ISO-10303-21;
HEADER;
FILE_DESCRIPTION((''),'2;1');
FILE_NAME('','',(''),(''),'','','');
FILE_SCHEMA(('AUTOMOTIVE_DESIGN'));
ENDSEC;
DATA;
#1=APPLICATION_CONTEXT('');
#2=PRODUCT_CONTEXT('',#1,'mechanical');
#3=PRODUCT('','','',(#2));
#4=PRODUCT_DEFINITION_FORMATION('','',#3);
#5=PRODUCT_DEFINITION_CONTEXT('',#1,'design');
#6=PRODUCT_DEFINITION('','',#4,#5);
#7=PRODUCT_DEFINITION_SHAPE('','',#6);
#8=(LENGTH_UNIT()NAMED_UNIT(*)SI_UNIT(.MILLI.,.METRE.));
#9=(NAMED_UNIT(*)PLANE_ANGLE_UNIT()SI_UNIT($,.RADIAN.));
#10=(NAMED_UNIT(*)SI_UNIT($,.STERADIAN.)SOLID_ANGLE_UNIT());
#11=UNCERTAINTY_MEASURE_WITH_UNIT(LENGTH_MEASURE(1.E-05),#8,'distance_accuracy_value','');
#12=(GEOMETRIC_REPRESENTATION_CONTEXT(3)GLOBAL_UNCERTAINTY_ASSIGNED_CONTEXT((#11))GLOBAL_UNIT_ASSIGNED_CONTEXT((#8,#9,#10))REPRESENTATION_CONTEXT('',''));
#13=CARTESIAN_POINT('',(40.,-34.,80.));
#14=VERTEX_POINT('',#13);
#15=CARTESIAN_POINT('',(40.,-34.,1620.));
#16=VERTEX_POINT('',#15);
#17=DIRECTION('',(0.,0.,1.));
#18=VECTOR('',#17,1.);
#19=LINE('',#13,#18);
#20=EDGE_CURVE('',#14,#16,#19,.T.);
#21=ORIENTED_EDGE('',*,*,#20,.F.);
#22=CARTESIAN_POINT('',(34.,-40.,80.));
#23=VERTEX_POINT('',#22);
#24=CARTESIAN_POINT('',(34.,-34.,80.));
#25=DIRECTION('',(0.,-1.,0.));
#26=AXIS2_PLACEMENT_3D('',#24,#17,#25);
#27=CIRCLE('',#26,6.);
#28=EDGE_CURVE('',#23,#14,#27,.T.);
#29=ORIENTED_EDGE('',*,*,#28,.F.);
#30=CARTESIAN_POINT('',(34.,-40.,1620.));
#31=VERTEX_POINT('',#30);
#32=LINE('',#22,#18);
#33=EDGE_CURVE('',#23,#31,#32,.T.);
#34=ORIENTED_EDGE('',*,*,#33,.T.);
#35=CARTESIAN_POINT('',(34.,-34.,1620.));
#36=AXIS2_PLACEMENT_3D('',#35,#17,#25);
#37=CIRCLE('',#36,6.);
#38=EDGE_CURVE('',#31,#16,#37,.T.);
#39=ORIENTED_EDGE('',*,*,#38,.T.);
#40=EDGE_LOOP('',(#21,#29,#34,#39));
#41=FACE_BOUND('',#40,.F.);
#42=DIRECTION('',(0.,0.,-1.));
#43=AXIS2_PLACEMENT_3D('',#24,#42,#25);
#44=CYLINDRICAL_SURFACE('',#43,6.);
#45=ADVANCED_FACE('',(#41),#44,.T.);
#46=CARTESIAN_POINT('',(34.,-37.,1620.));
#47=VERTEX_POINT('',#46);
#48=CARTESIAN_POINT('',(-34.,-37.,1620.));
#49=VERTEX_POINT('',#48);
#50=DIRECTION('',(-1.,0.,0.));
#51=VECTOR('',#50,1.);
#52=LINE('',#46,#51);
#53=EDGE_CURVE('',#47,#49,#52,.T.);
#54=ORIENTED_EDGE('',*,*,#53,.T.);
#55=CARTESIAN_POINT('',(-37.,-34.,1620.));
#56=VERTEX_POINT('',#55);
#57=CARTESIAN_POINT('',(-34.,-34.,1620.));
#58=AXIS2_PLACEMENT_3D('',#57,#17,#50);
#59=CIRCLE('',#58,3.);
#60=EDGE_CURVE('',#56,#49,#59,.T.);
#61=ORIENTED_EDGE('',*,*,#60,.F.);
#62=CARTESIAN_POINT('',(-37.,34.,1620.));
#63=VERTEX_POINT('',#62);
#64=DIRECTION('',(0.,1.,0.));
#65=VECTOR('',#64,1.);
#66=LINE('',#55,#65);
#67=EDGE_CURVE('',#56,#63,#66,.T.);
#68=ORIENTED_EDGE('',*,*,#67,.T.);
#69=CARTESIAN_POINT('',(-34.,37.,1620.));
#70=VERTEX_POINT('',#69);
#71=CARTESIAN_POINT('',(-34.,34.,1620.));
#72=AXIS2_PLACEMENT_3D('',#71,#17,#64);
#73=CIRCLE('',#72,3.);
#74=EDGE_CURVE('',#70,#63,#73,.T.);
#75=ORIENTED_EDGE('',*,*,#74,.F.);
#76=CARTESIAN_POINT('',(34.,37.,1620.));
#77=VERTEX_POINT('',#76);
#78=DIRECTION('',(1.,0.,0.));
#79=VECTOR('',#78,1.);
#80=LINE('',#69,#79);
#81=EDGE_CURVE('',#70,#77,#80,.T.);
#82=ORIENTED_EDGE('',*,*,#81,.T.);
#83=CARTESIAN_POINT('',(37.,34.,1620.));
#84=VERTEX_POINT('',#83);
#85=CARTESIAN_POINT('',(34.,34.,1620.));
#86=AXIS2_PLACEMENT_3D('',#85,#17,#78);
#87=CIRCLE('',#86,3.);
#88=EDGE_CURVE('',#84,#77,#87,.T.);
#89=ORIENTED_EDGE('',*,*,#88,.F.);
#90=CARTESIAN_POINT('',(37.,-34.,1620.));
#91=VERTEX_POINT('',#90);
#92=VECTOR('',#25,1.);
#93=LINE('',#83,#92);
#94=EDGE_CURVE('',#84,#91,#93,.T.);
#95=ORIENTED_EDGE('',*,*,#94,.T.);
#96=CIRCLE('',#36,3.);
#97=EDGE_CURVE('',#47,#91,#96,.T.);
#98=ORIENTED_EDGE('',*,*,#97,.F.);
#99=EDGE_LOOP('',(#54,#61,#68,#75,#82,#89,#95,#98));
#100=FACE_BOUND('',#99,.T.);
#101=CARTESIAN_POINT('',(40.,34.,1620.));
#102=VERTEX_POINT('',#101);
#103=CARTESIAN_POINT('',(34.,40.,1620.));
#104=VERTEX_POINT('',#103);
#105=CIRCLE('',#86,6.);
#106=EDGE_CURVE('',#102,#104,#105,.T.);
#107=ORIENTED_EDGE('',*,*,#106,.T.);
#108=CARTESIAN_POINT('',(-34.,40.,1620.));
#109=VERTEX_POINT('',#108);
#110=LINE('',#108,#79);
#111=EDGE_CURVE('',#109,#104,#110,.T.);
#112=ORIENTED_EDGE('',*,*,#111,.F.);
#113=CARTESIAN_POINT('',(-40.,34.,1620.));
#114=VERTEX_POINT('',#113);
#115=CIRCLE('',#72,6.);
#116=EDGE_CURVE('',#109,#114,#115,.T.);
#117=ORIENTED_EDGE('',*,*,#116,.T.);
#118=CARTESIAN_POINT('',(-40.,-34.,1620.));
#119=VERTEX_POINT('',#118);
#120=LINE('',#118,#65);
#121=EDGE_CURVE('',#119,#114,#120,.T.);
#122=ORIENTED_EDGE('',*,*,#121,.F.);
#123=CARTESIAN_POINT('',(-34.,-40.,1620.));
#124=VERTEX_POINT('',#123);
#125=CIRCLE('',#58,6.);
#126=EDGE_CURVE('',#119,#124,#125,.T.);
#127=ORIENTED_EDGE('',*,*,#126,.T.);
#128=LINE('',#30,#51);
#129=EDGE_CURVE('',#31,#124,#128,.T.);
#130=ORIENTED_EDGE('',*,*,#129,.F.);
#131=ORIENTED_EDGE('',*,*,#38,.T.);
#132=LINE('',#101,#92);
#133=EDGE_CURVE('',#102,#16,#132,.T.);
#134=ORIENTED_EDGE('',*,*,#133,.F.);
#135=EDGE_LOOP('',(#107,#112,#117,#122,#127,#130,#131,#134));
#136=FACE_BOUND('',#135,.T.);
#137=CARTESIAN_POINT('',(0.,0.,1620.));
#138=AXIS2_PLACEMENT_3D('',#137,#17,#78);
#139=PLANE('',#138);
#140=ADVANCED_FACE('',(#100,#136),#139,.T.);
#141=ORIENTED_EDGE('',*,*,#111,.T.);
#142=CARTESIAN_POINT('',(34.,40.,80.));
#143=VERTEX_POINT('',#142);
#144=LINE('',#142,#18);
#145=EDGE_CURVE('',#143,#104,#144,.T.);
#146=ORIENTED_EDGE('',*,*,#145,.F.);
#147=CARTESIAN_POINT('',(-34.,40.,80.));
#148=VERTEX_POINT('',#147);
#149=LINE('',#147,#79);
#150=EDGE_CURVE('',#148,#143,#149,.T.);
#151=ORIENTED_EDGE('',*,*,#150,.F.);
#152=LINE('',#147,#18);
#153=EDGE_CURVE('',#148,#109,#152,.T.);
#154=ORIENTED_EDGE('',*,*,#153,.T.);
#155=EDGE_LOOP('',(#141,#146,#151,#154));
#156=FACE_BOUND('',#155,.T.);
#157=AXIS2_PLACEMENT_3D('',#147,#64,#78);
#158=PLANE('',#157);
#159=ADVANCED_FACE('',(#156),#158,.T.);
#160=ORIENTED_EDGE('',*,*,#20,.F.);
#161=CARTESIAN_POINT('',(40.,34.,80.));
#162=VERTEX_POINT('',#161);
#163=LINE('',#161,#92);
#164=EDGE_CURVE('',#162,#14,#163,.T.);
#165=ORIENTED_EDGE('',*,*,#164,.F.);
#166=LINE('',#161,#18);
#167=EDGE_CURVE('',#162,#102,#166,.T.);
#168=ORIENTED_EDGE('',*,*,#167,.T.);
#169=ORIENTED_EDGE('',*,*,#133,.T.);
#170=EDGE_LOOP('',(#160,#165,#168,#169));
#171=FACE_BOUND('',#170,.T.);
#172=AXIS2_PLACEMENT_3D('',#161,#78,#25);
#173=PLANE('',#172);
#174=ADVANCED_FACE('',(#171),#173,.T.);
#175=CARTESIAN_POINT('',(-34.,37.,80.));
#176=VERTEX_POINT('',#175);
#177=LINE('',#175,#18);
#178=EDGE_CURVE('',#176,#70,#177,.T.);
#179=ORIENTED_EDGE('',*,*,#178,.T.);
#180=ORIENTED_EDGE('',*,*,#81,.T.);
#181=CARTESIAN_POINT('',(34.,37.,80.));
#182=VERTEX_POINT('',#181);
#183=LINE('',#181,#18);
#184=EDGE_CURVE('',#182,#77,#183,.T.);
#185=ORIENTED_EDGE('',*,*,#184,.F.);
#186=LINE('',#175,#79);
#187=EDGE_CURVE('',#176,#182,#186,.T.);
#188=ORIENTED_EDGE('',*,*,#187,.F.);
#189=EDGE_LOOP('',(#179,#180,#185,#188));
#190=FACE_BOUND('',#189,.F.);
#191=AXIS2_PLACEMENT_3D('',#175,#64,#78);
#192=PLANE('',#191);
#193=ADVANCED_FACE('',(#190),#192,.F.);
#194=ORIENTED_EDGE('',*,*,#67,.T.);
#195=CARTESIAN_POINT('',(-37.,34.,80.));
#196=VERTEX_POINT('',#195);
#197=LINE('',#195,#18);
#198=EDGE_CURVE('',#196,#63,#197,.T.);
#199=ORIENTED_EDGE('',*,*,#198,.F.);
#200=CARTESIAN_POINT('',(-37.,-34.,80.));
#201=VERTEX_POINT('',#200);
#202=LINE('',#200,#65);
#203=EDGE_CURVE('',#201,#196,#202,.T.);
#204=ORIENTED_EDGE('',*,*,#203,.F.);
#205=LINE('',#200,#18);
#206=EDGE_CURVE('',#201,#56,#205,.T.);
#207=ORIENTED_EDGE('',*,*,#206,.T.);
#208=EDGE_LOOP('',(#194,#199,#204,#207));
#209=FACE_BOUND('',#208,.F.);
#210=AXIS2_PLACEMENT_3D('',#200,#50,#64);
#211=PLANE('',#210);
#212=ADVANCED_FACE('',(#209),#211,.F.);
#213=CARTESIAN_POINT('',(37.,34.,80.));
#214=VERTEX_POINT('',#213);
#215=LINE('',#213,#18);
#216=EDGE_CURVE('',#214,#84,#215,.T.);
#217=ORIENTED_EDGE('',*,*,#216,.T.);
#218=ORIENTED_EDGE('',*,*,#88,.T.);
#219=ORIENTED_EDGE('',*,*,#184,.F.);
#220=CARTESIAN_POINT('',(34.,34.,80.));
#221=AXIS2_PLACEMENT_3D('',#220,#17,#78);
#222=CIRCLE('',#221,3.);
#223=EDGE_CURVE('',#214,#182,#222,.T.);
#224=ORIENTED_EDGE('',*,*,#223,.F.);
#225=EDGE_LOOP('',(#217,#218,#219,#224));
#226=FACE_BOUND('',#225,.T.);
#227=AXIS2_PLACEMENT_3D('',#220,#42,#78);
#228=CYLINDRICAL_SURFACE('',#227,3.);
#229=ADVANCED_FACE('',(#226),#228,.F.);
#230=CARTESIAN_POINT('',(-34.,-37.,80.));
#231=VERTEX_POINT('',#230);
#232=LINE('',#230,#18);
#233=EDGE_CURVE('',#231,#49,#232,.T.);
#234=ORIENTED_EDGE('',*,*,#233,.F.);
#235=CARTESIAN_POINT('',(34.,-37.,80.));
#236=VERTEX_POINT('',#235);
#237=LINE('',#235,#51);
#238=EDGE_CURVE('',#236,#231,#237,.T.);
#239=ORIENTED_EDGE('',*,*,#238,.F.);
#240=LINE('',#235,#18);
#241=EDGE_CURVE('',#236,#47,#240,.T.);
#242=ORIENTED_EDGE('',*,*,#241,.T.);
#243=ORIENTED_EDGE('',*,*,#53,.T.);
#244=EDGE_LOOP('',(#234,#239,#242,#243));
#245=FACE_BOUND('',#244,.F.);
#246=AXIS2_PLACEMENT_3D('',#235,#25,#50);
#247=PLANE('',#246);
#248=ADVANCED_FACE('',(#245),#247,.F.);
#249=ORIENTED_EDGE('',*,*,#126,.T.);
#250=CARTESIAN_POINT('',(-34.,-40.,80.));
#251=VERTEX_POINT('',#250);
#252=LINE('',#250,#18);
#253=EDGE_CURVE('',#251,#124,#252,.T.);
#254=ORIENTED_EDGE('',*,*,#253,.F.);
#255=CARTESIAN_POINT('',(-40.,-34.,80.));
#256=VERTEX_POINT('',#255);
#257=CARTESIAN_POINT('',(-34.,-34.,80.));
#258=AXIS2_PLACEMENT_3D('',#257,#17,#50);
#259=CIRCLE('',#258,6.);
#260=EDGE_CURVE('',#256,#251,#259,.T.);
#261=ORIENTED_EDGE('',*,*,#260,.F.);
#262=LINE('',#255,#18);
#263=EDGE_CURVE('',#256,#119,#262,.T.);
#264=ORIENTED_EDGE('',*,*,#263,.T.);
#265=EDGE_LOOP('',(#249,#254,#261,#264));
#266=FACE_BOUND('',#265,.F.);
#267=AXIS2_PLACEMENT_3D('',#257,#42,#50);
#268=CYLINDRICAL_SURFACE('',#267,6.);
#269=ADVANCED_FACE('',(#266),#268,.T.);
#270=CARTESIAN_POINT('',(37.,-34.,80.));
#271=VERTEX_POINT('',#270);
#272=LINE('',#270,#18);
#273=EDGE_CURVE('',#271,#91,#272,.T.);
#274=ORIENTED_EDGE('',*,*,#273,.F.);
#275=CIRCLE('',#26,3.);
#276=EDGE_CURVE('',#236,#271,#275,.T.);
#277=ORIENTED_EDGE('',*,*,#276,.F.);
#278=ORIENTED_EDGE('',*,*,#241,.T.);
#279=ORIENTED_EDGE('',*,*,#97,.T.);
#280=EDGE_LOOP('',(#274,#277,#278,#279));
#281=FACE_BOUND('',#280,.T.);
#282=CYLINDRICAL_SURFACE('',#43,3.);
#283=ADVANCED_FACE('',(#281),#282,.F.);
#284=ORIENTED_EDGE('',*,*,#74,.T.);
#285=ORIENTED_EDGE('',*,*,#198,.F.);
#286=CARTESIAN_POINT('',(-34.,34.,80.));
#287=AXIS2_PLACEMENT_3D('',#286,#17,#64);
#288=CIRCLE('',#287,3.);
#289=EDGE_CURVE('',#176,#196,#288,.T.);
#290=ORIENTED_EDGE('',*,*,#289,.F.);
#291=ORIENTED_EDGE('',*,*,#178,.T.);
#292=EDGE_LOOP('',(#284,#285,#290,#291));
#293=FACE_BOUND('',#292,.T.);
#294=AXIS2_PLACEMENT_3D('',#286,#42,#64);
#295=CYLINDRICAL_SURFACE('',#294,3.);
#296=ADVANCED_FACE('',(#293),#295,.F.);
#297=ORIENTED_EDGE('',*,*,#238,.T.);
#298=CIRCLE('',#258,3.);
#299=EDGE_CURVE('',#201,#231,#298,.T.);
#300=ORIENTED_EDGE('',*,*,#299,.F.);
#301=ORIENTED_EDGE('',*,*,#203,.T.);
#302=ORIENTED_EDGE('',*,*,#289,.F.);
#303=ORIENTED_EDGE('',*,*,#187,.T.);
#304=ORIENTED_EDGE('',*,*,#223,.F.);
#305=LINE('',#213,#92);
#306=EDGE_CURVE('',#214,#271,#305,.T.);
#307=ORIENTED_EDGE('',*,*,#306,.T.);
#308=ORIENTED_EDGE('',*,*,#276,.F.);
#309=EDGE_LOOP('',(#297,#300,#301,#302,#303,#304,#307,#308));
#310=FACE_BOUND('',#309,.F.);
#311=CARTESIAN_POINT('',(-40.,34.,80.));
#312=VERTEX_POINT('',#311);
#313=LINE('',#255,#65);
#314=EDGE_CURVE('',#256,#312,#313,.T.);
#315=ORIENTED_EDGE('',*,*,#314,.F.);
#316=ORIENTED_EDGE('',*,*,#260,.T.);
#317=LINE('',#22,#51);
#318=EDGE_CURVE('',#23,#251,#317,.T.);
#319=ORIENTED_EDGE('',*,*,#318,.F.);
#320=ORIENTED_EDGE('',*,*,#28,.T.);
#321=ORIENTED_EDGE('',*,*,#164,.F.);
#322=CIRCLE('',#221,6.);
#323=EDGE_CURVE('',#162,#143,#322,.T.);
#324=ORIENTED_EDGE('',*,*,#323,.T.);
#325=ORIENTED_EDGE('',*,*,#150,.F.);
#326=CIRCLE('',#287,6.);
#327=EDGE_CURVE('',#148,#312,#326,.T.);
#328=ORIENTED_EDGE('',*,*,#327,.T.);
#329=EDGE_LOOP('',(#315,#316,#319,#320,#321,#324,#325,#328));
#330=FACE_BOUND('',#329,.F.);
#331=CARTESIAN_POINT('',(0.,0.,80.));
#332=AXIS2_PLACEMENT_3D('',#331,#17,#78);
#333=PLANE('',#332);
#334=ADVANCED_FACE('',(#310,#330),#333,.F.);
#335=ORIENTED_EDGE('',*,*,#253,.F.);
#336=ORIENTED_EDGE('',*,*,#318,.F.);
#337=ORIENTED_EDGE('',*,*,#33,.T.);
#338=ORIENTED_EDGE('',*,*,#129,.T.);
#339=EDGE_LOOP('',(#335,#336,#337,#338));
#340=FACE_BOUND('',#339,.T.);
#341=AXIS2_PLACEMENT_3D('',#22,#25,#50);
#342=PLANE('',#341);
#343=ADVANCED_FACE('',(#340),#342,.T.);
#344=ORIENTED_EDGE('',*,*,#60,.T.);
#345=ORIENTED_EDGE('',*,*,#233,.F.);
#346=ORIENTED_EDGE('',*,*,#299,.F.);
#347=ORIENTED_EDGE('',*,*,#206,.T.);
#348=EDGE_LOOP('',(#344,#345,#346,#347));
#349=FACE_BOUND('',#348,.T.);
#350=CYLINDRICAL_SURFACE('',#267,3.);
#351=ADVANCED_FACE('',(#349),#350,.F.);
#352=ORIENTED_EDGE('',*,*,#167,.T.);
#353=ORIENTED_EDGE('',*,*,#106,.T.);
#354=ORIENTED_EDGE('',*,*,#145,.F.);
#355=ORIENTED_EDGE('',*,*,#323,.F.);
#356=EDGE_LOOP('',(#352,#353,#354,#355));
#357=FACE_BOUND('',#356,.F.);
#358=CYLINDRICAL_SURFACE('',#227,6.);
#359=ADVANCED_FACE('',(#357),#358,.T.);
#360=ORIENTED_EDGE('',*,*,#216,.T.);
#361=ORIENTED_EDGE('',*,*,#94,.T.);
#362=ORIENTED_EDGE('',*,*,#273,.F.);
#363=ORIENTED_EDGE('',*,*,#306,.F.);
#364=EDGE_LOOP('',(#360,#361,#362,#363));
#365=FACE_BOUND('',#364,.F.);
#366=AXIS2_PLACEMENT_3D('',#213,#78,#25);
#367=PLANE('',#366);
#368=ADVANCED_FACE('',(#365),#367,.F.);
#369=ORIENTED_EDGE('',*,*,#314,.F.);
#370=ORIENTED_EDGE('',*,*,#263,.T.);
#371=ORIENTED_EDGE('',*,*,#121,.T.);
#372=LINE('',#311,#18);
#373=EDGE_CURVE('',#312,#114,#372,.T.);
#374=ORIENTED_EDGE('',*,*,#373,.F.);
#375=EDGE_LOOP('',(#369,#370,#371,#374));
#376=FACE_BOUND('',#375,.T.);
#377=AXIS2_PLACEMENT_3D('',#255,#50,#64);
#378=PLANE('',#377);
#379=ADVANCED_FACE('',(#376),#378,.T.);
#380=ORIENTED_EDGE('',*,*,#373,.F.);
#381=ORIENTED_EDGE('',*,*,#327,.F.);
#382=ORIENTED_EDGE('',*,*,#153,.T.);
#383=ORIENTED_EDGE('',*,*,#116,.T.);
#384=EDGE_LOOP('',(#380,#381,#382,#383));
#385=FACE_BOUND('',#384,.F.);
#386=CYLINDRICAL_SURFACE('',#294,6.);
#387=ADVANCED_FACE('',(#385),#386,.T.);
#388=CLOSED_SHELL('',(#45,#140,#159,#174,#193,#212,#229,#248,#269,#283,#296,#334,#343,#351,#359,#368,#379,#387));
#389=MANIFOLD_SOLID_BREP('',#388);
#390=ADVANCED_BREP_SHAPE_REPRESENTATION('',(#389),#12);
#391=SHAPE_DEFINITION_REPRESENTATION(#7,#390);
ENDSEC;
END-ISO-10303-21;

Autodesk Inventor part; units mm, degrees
ref_plane "YZ Plane" through (0, 0, 0) normal (1, 0, 0) x (0, 1, 0)
ref_plane "Start Plane" through (0, 0, 80) normal (0, 0, 1) x (1, 0, 0)
ref_plane "End Plane" through (0, 0, 1620) normal (0, 0, 1) x (1, 0, 0)
sketch "Sketch" plane through (0, 0, 0) normal (0, 0, 1) x (1, 0, 0)
  line L0 (-40, -34) -> (-40, 34)
  line L1 (-34, 40) -> (34, 40)
  line L2 (40, 34) -> (40, -34)
  line L3 (34, -40) -> (-34, -40)
  arc A0 (-40, -34) -> (-34, -40) centre (-34, -34) ccw
  arc A1 (40, 34) -> (34, 40) centre (34, 34) ccw
  arc A2 (-34, 40) -> (-40, 34) centre (-34, 34) ccw
  arc A3 (34, -40) -> (40, -34) centre (34, -34) ccw
  arc A4 (-34, 37) -> (-37, 34) centre (-34, 34) ccw
  line L4 (-34, 37) -> (34, 37)
  arc A5 (37, 34) -> (34, 37) centre (34, 34) ccw
  line L5 (37, 34) -> (37, -34)
  arc A6 (34, -37) -> (37, -34) centre (34, -34) ccw
  line L6 (34, -37) -> (-34, -37)
  arc A7 (-37, -34) -> (-34, -37) centre (-34, -34) ccw
  line L7 (-37, -34) -> (-37, 34)
  line L8 (0, 57.7397) -> (0, -57.7397) construction
  line L9 (-57.7397, 0) -> (57.7397, 0) construction
  dimension "d7" = 6
  dimension "d9" = 80
  dimension "d11" = 80
  dimension "d12" = 3
  dimension "d15" = 40
  dimension "d16" = 40
extrude "Body" add sketch "Sketch" along normal up to surface (1540 mm away) from surface at 80
sketch "Sketch3" plane through (0, 0, 0) normal (0, 0, 1) x (1, 0, 0)
  line L0 (0, 0) -> (10, 0)
ref_plane "Work Plane3" through (0, 0, 0) normal (0, -1, 0) x (1, 0, 0)
sketch "Sketch4" plane through (0, 0, 0) normal (0, -1, 0) x (1, 0, 0)
  line L0 (-2, 80) -> (12, 80) projected
  line L1 (-2, 1620) -> (12, 1620) projected
  dimension "d18" = 1540
equation "\"d7\" = G_IR"
equation "\"d9\" = G_W"
equation "\"d11\" = G_H"
equation "\"d12\" = G_T"
equation "\"d15\" = 0.5 * d9"
equation "\"d16\" = 0.5 * d11"
equation "\"d3\" = G_L"
equation "\"G_W\" = 80"
equation "\"G_H\" = 80"
equation "\"G_T\" = 3"
equation "\"G_IR\" = 6"
equation "\"G_L\" = d18"
properties part number "ISO 10799-2 - 80x80x3 - 1540" material "Steel, Mild"
